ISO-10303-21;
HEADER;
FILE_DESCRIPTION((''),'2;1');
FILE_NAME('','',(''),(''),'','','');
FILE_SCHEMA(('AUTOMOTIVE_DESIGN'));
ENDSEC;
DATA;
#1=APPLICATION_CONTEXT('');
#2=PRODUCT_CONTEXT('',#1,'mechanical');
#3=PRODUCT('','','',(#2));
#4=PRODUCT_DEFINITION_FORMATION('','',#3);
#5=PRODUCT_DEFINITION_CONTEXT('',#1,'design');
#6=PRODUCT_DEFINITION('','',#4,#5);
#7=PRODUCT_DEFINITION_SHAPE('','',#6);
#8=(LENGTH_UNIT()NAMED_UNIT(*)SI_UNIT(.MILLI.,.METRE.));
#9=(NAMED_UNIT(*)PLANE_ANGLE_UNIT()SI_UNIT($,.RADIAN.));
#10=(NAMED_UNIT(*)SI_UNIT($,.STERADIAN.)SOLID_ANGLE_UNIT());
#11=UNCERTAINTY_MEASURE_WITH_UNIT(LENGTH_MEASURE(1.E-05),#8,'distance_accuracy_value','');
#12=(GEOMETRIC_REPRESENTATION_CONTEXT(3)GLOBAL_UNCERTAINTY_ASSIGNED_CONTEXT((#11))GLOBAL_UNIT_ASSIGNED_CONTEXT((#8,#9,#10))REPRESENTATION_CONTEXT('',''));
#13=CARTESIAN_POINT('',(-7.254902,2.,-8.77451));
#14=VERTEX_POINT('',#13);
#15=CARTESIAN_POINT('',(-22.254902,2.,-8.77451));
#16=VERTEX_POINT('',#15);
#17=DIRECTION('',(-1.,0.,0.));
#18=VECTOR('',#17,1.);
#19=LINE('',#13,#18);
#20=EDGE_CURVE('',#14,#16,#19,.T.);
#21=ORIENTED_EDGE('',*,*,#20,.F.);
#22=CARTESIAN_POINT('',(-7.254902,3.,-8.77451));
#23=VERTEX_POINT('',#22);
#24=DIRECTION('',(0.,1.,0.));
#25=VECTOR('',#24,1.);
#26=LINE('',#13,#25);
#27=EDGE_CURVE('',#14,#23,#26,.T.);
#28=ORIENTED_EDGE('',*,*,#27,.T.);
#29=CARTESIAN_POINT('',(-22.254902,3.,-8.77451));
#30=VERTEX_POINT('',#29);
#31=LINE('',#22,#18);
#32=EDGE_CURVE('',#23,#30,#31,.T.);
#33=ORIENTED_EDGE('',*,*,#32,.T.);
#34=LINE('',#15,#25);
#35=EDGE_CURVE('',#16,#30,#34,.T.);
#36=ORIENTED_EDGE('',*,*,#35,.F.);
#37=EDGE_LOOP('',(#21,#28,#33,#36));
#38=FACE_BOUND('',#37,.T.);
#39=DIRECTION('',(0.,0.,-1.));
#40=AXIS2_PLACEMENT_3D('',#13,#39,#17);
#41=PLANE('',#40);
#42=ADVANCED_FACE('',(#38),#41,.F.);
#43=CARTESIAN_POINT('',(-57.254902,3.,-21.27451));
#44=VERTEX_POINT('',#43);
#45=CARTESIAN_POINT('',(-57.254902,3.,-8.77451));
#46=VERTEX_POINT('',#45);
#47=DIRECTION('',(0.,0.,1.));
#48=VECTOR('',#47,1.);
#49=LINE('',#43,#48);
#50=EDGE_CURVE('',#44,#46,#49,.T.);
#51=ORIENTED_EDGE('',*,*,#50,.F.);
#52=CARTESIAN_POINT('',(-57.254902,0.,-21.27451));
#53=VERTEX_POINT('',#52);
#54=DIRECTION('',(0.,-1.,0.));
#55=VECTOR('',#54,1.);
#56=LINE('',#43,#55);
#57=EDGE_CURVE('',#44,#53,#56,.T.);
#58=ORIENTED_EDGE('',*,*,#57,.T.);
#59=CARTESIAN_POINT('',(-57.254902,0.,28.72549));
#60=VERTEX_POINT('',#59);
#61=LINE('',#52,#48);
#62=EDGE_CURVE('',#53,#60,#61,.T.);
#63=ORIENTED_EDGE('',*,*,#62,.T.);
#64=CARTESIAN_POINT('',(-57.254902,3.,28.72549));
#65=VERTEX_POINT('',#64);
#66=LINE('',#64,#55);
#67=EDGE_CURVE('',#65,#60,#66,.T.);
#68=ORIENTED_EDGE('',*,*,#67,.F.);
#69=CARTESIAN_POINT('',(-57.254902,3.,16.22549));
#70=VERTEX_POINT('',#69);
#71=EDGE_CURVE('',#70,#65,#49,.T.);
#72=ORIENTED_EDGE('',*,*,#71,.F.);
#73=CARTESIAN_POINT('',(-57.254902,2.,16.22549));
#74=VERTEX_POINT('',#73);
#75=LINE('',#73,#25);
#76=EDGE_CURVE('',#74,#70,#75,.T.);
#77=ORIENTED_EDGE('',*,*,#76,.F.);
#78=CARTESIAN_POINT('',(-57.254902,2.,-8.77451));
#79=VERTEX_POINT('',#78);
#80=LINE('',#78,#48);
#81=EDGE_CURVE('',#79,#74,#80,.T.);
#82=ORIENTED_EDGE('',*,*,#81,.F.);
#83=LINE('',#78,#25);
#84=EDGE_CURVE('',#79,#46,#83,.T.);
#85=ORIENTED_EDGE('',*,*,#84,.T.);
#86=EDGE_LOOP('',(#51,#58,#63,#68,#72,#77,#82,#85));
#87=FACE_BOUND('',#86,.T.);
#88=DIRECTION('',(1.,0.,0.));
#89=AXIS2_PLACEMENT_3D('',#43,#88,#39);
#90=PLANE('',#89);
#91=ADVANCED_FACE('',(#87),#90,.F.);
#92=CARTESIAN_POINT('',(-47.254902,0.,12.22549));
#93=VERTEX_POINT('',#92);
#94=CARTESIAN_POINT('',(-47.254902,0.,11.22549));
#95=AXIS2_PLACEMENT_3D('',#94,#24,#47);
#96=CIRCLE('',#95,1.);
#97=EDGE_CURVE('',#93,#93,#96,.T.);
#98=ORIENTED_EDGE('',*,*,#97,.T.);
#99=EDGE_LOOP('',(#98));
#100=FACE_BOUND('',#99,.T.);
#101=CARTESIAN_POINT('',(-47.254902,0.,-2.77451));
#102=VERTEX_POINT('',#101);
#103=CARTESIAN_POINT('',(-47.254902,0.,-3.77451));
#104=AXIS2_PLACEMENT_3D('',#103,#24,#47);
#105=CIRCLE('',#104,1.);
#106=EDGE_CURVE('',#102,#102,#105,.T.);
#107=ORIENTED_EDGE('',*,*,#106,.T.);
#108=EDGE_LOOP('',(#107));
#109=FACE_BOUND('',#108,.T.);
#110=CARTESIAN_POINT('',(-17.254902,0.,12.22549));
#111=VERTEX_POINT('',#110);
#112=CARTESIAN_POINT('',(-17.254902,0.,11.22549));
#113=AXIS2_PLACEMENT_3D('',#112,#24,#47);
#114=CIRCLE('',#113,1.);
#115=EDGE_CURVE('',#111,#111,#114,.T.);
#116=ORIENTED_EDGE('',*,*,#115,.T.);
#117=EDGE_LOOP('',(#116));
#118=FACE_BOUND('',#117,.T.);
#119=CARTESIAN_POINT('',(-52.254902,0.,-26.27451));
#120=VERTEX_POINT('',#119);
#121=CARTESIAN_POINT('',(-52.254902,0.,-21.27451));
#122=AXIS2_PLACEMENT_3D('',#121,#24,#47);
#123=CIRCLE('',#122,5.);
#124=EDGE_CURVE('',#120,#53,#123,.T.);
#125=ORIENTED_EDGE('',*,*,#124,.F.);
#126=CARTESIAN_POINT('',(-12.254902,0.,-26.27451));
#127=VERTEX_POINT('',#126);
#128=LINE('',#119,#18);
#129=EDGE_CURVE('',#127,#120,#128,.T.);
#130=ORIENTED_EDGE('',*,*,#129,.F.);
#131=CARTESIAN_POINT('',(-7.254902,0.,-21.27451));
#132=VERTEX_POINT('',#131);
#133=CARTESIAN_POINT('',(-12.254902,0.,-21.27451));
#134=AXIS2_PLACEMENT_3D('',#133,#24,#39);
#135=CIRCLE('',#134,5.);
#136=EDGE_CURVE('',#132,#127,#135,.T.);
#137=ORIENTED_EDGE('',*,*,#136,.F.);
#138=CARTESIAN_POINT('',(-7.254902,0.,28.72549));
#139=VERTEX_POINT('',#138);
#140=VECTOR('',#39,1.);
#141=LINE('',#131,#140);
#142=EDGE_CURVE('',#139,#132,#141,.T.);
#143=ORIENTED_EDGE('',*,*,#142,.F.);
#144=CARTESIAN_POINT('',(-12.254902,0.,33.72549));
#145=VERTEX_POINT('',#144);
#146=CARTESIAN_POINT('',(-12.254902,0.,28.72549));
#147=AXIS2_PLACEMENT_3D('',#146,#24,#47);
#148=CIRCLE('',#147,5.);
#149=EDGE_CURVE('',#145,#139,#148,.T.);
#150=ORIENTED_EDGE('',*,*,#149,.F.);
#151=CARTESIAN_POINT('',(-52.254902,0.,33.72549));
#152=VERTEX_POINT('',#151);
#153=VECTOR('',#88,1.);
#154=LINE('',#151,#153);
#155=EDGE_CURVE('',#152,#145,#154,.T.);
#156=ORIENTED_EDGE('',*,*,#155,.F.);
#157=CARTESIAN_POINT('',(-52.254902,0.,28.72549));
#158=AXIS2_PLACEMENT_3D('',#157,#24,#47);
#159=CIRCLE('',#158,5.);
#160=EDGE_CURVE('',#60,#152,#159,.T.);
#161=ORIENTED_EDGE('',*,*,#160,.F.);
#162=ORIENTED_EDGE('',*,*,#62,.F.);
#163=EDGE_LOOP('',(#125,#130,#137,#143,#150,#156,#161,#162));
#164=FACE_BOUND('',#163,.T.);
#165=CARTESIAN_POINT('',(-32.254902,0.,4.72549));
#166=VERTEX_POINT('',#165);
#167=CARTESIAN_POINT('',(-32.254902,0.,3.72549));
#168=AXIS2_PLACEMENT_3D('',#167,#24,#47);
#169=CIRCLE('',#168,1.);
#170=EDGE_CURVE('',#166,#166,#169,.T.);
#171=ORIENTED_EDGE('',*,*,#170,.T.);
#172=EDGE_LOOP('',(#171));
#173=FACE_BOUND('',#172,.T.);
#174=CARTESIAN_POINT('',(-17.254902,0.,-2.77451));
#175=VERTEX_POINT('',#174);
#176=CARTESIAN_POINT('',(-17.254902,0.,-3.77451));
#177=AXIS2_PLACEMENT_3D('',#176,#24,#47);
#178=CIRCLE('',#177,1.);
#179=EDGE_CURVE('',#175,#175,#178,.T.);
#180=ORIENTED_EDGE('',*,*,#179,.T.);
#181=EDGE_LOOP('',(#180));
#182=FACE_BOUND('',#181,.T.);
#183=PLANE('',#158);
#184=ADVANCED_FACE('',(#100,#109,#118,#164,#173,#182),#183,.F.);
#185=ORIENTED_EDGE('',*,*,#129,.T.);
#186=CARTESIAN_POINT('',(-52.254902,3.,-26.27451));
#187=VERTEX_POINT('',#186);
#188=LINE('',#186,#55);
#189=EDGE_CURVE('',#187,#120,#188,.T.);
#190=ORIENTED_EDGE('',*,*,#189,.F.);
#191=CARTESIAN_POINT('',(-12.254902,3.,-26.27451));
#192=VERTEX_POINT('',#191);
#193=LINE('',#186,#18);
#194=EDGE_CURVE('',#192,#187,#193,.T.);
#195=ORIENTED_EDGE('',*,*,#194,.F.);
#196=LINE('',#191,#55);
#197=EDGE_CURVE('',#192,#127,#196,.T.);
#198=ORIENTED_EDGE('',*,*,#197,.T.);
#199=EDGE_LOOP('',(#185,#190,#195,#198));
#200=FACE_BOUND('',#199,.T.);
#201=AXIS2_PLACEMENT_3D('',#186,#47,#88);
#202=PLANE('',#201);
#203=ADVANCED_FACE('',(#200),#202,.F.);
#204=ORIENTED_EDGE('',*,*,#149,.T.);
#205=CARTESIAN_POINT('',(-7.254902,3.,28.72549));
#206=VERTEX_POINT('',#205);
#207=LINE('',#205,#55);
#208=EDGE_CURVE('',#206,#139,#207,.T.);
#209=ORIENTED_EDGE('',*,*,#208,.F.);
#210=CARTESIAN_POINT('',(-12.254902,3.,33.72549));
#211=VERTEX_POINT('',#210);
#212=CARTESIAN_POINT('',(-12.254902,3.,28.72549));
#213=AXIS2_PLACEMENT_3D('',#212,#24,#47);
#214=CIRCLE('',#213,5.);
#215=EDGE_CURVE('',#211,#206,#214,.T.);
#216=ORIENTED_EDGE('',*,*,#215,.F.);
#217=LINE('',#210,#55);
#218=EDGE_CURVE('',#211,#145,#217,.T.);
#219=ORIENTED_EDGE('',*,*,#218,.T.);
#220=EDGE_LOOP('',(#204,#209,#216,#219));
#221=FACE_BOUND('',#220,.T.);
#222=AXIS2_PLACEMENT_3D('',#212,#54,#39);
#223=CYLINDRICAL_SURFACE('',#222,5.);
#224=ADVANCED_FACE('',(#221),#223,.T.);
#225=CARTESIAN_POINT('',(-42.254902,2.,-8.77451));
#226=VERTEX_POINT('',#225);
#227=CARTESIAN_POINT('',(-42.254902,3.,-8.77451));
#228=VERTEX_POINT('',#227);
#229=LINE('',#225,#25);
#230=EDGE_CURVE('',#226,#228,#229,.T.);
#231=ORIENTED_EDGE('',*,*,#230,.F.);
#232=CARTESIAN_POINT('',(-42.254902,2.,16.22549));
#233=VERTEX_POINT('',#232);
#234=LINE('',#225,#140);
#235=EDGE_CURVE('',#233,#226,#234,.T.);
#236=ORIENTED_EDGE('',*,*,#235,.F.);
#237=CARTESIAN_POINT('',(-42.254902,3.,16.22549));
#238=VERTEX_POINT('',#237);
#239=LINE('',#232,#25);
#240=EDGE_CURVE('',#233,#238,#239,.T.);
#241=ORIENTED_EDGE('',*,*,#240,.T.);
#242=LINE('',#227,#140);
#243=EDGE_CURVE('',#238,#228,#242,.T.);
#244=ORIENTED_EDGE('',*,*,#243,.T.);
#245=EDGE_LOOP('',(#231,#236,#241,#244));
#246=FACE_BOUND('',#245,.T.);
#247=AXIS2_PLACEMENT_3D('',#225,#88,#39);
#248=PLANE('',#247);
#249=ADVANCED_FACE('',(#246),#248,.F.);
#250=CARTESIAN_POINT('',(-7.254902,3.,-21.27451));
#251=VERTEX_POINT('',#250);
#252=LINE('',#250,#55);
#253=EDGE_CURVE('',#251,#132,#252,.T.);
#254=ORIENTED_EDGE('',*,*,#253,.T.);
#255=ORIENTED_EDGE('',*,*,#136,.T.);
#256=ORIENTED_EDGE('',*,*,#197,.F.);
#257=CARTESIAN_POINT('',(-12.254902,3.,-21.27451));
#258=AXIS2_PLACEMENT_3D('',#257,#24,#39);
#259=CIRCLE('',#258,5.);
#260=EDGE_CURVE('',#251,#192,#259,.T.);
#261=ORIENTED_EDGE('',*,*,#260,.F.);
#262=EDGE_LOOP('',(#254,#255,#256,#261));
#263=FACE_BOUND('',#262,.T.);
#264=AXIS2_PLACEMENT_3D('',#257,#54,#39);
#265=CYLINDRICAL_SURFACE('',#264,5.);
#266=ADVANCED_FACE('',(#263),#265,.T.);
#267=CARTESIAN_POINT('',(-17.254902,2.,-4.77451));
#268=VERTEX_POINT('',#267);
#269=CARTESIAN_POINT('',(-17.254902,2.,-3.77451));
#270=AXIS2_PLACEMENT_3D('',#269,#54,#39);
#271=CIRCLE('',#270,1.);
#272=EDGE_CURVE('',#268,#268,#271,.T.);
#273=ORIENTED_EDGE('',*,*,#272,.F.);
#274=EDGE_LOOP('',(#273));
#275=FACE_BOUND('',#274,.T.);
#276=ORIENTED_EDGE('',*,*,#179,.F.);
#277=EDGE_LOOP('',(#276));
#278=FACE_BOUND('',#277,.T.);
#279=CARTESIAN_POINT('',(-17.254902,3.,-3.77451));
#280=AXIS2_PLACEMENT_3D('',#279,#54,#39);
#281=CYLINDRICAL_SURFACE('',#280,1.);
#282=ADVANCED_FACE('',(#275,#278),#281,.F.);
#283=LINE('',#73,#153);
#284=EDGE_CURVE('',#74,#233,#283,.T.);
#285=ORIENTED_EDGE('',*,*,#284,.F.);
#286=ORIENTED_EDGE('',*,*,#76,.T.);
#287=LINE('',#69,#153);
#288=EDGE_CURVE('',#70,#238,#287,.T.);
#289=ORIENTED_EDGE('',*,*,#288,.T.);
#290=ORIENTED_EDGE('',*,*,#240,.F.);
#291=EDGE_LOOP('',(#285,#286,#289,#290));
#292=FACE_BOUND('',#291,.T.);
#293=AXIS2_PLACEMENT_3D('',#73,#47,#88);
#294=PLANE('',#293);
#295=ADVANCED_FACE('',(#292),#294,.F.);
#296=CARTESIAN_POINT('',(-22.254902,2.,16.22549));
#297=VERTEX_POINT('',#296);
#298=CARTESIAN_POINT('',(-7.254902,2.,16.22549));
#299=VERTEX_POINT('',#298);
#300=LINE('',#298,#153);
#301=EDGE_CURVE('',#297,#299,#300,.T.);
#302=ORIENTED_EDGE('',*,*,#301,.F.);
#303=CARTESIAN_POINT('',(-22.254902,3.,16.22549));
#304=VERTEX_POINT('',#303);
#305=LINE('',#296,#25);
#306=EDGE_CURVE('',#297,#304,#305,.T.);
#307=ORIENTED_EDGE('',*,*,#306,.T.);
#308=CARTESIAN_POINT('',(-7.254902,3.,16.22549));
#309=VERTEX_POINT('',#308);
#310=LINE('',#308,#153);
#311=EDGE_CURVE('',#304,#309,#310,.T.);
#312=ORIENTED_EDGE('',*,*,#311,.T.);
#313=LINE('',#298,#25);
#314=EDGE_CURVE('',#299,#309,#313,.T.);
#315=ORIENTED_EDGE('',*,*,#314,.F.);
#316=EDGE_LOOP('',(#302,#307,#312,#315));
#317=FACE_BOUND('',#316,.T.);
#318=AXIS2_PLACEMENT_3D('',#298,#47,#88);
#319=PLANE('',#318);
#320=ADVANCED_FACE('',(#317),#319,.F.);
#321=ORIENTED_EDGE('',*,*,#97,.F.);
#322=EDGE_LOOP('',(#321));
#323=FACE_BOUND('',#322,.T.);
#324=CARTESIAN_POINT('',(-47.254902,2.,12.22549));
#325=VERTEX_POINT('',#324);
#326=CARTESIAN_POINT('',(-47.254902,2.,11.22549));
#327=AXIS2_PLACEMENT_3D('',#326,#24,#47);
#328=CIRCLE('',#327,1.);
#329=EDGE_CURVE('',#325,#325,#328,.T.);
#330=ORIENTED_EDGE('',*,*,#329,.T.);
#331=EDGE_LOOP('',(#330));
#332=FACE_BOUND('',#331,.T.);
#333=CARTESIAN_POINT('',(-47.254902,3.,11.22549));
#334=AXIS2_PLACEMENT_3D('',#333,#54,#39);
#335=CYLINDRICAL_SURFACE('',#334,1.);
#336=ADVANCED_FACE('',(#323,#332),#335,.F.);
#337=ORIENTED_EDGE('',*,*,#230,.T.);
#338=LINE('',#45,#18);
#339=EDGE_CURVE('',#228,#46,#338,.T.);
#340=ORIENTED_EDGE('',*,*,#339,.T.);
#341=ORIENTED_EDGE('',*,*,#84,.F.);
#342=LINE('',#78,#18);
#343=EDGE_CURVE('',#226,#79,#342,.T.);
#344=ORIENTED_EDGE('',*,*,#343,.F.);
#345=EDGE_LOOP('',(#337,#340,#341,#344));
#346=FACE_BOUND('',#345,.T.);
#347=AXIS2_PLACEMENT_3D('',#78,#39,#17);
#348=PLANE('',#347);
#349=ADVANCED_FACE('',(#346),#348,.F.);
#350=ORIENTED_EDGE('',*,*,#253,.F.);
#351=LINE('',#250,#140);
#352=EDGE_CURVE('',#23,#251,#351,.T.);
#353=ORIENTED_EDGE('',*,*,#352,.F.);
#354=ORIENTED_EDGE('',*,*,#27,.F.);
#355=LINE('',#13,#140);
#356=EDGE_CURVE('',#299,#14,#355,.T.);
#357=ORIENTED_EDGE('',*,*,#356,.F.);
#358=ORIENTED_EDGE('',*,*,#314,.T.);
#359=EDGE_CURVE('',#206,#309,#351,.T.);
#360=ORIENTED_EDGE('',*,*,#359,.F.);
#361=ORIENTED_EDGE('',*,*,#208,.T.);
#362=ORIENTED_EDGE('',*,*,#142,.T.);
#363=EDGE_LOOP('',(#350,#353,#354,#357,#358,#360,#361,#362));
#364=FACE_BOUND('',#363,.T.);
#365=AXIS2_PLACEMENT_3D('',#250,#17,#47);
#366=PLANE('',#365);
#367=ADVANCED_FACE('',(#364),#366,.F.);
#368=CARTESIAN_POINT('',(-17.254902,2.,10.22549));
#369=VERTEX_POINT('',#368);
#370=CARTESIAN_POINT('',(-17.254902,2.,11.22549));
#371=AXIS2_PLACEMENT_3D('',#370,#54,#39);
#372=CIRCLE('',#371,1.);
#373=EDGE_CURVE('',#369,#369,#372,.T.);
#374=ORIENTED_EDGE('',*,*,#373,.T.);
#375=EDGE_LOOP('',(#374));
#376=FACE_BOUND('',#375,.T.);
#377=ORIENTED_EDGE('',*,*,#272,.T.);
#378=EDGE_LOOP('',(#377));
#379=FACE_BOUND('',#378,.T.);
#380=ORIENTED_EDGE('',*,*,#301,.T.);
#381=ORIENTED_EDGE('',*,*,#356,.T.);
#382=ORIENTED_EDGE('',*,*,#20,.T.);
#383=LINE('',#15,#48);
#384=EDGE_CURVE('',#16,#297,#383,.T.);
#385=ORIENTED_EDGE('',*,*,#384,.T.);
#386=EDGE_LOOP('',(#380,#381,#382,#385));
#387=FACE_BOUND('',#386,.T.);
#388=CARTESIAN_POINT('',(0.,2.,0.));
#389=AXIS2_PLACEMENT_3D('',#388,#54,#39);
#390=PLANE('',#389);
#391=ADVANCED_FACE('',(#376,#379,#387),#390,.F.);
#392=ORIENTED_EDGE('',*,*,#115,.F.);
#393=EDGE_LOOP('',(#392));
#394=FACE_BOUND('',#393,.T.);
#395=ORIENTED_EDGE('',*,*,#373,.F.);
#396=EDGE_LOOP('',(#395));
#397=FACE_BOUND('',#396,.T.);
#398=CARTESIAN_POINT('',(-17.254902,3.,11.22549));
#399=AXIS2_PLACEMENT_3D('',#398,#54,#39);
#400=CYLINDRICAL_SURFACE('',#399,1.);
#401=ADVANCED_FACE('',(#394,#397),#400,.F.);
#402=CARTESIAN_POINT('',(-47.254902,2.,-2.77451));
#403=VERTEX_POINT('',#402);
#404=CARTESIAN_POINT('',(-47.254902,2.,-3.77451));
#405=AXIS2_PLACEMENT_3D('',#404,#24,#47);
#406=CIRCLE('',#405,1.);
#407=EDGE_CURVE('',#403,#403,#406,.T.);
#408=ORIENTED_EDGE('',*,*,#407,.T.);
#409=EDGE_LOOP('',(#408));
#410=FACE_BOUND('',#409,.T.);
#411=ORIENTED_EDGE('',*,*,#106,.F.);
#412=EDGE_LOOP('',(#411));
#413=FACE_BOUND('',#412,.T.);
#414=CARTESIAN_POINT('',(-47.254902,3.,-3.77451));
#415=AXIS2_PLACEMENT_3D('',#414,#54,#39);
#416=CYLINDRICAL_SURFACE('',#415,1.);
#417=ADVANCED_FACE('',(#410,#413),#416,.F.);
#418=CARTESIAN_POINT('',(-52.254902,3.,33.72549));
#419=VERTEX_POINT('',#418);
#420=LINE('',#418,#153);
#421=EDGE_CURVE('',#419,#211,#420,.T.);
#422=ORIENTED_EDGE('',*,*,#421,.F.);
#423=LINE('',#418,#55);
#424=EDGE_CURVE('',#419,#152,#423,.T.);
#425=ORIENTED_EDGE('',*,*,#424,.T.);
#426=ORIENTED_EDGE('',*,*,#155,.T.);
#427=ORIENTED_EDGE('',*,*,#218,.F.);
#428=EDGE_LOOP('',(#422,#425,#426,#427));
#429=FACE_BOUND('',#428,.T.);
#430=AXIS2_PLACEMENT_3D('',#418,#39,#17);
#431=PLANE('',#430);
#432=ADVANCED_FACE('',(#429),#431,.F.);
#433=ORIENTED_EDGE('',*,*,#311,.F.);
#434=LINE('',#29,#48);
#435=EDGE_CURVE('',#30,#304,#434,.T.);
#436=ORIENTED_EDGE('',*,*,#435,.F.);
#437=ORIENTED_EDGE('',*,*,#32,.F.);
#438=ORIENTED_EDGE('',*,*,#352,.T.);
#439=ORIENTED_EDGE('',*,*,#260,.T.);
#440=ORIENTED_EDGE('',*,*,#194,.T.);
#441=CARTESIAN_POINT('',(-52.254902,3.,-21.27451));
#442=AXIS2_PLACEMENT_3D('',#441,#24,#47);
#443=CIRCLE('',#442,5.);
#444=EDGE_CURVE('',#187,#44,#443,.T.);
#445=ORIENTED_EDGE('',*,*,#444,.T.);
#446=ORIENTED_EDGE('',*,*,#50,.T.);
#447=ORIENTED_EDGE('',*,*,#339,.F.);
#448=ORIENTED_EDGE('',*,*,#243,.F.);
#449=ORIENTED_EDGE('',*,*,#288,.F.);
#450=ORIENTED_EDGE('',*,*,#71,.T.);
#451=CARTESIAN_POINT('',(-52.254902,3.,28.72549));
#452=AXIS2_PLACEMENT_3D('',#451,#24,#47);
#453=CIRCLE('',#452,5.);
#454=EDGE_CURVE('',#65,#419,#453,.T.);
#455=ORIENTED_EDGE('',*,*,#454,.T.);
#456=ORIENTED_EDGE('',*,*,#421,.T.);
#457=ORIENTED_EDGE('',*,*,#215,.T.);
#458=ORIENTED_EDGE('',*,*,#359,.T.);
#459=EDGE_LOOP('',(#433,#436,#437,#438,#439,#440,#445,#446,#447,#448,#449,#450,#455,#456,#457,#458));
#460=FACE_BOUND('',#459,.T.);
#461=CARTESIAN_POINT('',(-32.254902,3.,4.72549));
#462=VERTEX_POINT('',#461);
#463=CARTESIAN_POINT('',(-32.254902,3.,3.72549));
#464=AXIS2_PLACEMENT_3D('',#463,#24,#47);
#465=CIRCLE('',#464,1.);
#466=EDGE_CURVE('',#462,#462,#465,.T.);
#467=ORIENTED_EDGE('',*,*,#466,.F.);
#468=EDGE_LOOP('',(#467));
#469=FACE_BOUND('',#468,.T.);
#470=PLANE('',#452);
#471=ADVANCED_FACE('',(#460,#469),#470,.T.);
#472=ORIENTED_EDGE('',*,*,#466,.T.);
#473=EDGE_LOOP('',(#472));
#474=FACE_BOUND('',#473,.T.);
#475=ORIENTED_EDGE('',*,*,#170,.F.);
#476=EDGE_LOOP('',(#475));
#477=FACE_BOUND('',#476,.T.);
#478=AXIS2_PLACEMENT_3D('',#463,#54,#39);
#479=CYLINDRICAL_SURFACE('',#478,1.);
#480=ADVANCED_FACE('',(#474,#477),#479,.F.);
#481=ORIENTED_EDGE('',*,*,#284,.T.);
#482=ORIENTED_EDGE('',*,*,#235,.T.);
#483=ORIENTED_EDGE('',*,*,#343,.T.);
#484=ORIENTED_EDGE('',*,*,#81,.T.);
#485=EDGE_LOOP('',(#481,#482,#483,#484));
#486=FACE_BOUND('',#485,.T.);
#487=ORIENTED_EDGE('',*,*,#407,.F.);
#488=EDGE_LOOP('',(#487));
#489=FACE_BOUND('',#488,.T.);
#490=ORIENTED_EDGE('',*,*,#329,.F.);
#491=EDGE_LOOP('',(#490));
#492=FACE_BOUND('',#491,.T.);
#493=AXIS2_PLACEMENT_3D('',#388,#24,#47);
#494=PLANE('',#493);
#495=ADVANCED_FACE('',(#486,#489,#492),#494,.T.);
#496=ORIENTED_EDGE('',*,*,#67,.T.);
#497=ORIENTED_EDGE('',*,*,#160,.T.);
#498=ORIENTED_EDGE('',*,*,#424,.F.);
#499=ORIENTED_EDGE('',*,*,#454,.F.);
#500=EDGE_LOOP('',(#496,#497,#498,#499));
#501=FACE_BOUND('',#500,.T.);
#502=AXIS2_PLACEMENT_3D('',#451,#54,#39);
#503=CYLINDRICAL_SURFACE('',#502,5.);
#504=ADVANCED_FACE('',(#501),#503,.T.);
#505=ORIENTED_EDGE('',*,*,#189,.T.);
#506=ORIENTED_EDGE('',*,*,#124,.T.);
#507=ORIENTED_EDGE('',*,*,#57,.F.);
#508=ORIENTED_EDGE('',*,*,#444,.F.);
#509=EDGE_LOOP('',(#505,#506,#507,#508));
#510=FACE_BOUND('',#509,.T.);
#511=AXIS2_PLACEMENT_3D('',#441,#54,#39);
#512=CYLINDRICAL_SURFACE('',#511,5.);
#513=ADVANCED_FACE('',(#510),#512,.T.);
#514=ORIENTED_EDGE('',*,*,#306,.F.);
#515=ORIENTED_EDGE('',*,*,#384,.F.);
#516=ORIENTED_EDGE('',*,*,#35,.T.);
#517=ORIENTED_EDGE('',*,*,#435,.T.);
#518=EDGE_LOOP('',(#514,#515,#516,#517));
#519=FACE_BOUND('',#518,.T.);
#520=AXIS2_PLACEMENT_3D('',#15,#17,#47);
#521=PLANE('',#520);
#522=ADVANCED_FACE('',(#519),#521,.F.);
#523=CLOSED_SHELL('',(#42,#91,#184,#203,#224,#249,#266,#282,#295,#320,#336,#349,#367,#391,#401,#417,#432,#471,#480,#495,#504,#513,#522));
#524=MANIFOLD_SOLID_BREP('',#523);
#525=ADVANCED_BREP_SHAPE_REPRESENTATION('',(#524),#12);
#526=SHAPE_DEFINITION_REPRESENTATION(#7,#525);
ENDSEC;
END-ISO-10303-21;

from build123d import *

# Parameters (mm, degrees)
SKETCH1_R           = 1
BOSS_EXTRUDE1_DEPTH = 3
SKETCH2_W           = 15
SKETCH2_H           = 25
CUT_EXTRUDE1_DEPTH  = 1
SKETCH3_W           = 15
SKETCH3_H           = 25
CUT_EXTRUDE2_DEPTH  = 1


with BuildPart() as part:
    # Sketch1 → Boss-Extrude1 (new body)
    with BuildSketch(Plane(origin=(0, 0, 0), x_dir=(1, 0, 0), z_dir=(0, 1, 0))):
        with BuildLine():
            Line((-52.254901961, 26.274509804), (-12.254901961, 26.274509804))
            ThreePointArc((-12.254901961, 26.274509804), (-8.719368055, 24.81004371), (-7.254901961, 21.274509804))
            Line((-7.254901961, 21.274509804), (-7.254901961, -28.725490196))
            ThreePointArc((-7.254901961, -28.725490196), (-8.719368055, -32.261024102), (-12.254901961, -33.725490196))
            Line((-12.254901961, -33.725490196), (-52.254901961, -33.725490196))
            ThreePointArc((-52.254901961, -33.725490196), (-55.790435867, -32.261024102), (-57.254901961, -28.725490196))
            Line((-57.254901961, -28.725490196), (-57.254901961, 21.274509804))
            ThreePointArc((-57.254901961, 21.274509804), (-55.790435867, 24.81004371), (-52.254901961, 26.274509804))
        make_face()
        with Locations(Location((-32.254901961, -3.725490196, 0), (0, 0, 270))):
            Circle(SKETCH1_R, mode=Mode.SUBTRACT)
        with Locations(Location((-47.254901961, 3.774509804, 0), (0, 0, 270))):
            Circle(SKETCH1_R, mode=Mode.SUBTRACT)
        with Locations(Location((-47.254901961, -11.225490196, 0), (0, 0, 270))):
            Circle(SKETCH1_R, mode=Mode.SUBTRACT)
        with Locations(Location((-17.254901961, 3.774509804, 0), (0, 0, 270))):
            Circle(SKETCH1_R, mode=Mode.SUBTRACT)
        with Locations(Location((-17.254901961, -11.225490196, 0), (0, 0, 270))):
            Circle(SKETCH1_R, mode=Mode.SUBTRACT)
    extrude(amount=BOSS_EXTRUDE1_DEPTH)

    # Sketch2 → Cut-Extrude1 (cut)
    with BuildSketch(Plane(origin=(0, 3, 0), x_dir=(1, 0, 0), z_dir=(0, 1, 0))):
        with Locations((-49.754901961, -3.725490196)):
            Rectangle(SKETCH2_W, SKETCH2_H)
    extrude(amount=-CUT_EXTRUDE1_DEPTH, mode=Mode.SUBTRACT)

    # Sketch3 → Cut-Extrude2 (cut)
    with BuildSketch(Plane(origin=(0, 3, 0), x_dir=(1, 0, 0), z_dir=(0, 1, 0))):
        with Locations((-14.754901961, -3.725490196)):
            Rectangle(SKETCH3_W, SKETCH3_H)
    extrude(amount=-CUT_EXTRUDE2_DEPTH, mode=Mode.SUBTRACT)


solid = part.part
